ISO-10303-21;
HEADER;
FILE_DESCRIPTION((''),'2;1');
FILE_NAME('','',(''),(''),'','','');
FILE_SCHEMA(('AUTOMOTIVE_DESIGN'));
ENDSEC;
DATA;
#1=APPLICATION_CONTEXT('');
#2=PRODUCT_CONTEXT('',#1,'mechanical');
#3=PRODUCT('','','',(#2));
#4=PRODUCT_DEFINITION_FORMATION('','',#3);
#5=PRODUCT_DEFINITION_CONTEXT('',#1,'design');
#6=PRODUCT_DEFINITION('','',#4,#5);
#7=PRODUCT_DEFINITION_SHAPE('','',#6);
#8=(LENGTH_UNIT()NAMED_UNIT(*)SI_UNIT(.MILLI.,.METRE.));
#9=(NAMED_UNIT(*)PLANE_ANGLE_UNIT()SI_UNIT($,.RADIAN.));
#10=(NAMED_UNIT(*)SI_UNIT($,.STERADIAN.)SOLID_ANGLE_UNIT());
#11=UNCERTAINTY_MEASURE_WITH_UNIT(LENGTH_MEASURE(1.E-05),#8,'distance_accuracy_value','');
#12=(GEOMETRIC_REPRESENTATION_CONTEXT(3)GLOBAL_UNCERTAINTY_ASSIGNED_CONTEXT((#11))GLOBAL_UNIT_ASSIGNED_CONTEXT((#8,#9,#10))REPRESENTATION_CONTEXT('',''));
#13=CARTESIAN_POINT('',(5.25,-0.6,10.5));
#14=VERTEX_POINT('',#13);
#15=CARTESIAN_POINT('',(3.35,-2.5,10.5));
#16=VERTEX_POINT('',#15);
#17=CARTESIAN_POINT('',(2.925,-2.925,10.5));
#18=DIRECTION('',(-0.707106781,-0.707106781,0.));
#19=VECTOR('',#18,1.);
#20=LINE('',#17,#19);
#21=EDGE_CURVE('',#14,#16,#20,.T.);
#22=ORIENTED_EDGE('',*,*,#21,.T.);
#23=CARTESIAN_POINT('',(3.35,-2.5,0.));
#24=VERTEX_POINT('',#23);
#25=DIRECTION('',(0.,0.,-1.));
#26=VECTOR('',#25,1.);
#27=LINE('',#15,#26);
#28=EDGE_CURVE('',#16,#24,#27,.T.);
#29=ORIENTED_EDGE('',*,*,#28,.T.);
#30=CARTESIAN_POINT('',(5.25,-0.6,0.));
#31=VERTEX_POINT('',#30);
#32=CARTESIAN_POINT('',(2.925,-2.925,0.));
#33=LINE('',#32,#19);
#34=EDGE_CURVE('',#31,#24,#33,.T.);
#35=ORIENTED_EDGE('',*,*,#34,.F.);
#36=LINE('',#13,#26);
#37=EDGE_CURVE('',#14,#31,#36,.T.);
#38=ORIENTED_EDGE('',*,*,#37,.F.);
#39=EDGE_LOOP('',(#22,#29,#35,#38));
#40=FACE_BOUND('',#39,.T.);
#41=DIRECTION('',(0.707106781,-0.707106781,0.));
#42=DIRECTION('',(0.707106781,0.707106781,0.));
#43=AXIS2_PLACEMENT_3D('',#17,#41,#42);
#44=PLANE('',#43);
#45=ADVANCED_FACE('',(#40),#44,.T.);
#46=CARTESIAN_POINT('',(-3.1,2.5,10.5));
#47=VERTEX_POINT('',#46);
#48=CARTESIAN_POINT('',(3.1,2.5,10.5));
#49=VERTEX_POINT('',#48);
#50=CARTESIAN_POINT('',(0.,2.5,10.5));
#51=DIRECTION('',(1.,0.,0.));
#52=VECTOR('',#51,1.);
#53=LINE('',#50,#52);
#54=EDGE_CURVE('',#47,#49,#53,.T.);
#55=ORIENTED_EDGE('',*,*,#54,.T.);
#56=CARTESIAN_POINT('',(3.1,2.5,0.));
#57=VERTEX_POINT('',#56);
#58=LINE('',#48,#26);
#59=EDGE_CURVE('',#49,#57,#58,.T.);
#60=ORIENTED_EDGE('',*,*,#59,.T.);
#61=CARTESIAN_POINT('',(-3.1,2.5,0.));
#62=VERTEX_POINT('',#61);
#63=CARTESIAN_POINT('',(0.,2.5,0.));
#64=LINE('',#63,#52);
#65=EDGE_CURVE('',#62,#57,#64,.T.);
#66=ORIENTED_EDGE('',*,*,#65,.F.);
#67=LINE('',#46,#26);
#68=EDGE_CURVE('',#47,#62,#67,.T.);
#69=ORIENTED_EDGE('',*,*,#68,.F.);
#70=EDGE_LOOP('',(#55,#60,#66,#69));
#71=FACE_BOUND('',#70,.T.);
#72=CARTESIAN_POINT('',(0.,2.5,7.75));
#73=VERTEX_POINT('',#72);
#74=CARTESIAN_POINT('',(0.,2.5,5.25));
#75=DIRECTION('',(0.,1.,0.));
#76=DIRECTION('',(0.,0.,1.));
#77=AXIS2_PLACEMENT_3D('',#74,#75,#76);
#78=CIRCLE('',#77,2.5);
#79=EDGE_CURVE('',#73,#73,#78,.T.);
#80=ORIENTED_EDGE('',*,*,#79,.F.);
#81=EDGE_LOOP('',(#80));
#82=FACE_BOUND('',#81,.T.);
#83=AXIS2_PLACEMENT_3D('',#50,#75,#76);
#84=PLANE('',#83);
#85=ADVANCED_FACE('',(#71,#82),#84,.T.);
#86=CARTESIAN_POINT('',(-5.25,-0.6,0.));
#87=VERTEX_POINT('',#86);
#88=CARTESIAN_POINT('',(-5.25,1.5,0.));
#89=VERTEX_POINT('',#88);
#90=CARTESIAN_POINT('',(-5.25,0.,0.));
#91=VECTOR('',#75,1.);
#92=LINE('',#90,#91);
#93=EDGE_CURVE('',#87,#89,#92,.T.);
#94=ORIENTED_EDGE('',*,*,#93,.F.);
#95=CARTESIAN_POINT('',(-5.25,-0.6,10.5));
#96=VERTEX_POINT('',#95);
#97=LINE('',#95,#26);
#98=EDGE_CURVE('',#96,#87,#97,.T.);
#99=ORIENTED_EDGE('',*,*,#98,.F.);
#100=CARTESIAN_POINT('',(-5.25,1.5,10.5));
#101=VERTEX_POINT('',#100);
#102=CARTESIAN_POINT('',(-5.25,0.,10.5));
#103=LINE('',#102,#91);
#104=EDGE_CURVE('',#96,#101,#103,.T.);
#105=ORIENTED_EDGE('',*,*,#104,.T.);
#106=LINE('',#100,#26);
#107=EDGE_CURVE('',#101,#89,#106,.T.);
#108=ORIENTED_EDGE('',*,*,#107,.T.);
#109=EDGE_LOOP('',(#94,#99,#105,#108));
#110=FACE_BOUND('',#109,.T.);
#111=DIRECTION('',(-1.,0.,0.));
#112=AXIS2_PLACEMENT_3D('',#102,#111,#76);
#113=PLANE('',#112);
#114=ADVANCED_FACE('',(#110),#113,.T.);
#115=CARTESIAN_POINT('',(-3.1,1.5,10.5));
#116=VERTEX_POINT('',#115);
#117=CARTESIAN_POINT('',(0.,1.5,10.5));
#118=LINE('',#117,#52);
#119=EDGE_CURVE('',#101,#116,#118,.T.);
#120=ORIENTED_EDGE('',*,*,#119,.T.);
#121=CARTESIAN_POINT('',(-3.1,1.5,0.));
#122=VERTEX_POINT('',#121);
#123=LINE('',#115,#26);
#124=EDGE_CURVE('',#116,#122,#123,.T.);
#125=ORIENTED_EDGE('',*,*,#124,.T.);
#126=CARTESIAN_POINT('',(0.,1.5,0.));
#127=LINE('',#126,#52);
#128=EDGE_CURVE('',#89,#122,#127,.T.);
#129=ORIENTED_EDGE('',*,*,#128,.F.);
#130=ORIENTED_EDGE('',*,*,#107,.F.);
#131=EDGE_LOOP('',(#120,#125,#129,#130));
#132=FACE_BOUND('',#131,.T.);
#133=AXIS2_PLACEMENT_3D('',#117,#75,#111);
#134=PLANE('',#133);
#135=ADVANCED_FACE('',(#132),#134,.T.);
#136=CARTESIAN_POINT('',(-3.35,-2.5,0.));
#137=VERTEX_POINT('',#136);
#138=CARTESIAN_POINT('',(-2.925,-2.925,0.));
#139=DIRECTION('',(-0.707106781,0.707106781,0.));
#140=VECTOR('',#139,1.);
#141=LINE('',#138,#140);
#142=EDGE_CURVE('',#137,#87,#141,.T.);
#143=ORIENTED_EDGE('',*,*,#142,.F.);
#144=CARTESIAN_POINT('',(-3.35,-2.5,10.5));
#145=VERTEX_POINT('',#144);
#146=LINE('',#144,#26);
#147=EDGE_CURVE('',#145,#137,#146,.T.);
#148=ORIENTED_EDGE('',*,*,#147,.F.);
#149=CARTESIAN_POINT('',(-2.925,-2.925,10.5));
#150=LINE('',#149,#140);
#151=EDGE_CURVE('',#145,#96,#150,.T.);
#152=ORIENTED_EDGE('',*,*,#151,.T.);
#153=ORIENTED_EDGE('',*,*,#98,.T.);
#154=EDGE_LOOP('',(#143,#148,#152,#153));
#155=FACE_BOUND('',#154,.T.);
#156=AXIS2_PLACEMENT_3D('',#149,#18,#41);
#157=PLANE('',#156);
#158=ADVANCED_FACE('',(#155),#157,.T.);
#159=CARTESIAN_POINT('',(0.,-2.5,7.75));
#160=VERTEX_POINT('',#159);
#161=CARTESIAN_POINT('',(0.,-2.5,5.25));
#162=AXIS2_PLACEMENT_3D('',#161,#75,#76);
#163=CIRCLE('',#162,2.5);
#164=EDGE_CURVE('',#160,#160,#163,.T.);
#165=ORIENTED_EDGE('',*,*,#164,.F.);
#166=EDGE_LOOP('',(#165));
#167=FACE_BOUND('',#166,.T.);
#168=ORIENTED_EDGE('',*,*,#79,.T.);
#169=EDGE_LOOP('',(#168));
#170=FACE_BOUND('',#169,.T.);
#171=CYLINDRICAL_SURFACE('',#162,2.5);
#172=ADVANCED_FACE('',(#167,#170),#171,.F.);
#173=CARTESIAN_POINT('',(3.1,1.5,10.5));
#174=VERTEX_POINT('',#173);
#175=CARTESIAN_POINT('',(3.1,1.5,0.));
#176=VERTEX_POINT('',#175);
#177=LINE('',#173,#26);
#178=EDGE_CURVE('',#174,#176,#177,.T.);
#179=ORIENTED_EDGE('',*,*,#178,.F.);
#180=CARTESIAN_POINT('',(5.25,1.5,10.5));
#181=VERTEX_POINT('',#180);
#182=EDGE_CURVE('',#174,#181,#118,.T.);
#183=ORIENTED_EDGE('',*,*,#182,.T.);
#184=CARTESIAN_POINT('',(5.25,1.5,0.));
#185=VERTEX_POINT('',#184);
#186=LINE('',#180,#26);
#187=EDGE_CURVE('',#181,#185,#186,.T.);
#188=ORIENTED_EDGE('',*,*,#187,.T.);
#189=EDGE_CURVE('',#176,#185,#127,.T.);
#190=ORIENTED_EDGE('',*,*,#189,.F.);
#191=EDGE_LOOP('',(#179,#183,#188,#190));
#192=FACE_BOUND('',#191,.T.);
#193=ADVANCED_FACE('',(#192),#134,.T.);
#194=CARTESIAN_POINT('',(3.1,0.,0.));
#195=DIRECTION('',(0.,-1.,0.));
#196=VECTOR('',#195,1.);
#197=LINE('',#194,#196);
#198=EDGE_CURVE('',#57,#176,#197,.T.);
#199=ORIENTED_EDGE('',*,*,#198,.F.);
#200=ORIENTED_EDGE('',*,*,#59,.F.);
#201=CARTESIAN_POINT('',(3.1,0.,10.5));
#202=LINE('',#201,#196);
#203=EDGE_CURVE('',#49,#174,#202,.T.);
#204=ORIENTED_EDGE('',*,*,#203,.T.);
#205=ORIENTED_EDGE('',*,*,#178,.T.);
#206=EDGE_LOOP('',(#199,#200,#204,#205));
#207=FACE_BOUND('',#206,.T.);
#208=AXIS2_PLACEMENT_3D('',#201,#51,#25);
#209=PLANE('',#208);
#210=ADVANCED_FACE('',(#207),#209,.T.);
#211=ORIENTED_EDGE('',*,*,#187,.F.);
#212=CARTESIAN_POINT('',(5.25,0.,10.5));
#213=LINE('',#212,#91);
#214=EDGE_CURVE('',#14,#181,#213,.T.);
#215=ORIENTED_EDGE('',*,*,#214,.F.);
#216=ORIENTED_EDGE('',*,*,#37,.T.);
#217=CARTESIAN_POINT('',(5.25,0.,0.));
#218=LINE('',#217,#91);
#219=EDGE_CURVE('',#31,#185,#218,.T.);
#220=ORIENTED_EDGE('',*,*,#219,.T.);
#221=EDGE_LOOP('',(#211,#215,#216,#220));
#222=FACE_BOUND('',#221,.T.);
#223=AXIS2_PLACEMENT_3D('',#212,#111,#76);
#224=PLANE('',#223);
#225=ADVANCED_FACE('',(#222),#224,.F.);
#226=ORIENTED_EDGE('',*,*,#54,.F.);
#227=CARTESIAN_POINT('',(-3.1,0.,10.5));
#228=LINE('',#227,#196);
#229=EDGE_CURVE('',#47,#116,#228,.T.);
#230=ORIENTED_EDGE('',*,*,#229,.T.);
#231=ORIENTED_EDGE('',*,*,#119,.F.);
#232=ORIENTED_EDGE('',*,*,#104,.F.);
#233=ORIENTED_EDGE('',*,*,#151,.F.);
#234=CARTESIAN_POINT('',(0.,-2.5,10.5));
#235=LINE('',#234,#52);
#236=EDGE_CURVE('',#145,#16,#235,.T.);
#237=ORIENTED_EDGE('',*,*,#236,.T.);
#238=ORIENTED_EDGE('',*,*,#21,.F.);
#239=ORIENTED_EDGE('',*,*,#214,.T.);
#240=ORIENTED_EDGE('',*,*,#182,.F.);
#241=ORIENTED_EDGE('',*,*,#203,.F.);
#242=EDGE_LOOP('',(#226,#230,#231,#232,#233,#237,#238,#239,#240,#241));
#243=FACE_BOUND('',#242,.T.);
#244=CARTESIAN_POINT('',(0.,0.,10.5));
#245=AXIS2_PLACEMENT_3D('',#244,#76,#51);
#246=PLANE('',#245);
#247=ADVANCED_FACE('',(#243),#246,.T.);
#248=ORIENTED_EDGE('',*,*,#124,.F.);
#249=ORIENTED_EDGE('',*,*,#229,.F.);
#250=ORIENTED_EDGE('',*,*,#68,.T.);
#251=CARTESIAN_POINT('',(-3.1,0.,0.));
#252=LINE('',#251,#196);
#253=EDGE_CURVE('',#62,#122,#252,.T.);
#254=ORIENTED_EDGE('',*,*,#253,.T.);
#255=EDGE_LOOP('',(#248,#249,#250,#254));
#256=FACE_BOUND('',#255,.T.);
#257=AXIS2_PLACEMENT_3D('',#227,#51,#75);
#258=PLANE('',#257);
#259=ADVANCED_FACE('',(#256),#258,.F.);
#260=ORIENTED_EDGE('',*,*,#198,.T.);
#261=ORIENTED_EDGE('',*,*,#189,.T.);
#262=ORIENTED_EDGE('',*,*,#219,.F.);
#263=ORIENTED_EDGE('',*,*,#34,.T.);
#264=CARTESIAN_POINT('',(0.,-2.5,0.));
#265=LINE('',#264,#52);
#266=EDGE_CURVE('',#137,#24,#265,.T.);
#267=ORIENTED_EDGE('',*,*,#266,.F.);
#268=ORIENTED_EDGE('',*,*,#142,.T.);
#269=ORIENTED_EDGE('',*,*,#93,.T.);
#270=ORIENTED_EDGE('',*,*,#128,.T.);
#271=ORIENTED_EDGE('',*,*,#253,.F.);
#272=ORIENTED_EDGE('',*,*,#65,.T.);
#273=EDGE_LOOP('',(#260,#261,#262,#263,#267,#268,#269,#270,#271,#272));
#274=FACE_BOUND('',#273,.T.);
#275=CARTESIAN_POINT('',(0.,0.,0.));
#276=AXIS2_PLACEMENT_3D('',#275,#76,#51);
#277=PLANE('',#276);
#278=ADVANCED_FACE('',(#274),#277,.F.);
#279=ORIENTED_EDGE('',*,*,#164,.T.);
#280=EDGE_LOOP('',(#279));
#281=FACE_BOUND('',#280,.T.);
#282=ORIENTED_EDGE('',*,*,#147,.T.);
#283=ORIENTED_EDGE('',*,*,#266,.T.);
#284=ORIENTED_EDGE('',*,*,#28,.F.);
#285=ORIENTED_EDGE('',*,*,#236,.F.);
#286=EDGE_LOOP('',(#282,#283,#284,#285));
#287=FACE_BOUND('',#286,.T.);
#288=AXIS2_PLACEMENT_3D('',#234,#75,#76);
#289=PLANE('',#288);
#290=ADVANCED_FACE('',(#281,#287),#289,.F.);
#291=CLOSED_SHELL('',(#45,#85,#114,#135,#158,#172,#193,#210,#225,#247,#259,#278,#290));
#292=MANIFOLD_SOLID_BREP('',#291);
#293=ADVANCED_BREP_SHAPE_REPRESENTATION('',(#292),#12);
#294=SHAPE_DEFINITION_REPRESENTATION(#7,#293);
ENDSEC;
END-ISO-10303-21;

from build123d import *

# Parameters (mm, degrees)
SKETCH2_W           = 6.2
SKETCH2_H           = 1
BOSS_EXTRUDE1_DEPTH = 10.5
CUT_EXTRUDE1_DEPTH  = 13.759800155


with BuildPart() as part:
    # Sketch2 → Boss-Extrude1 (new body)
    with BuildSketch(Plane.XY):
        Polygon((-3.1, 1.5), (-5.25, 1.5), (-5.25, -0.6), (-3.35, -2.5), (3.35, -2.5), (5.25, -0.6), (5.25, 1.5), (3.1, 1.5), align=None)
        with Locations((0, 2)):
            Rectangle(SKETCH2_W, SKETCH2_H)
    extrude(amount=BOSS_EXTRUDE1_DEPTH)

    # Sketch3 → Cut-Extrude1 (cut, through all)
    with BuildSketch(Plane(origin=(0, 2.5, 0), x_dir=(1, 0, 0), z_dir=(0, 1, 0))):
        with BuildLine():
            ThreePointArc((2.5, -5.25), (1.239388718, -3.078844638), (-1.271132484, -3.097275631))
            Line((-1.271132484, -3.097275631), (1.271132484, -7.402724369))
            ThreePointArc((1.271132484, -7.402724369), (2.171155362, -6.489388718), (2.5, -5.25))
        make_face()
        with BuildLine():
            Line((1.271132484, -7.402724369), (-1.271132484, -3.097275631))
            ThreePointArc((-1.271132484, -3.097275631), (-2.152724369, -6.521132484), (1.271132484, -7.402724369))
        make_face()
    extrude(amount=-CUT_EXTRUDE1_DEPTH, mode=Mode.SUBTRACT)


solid = part.part
